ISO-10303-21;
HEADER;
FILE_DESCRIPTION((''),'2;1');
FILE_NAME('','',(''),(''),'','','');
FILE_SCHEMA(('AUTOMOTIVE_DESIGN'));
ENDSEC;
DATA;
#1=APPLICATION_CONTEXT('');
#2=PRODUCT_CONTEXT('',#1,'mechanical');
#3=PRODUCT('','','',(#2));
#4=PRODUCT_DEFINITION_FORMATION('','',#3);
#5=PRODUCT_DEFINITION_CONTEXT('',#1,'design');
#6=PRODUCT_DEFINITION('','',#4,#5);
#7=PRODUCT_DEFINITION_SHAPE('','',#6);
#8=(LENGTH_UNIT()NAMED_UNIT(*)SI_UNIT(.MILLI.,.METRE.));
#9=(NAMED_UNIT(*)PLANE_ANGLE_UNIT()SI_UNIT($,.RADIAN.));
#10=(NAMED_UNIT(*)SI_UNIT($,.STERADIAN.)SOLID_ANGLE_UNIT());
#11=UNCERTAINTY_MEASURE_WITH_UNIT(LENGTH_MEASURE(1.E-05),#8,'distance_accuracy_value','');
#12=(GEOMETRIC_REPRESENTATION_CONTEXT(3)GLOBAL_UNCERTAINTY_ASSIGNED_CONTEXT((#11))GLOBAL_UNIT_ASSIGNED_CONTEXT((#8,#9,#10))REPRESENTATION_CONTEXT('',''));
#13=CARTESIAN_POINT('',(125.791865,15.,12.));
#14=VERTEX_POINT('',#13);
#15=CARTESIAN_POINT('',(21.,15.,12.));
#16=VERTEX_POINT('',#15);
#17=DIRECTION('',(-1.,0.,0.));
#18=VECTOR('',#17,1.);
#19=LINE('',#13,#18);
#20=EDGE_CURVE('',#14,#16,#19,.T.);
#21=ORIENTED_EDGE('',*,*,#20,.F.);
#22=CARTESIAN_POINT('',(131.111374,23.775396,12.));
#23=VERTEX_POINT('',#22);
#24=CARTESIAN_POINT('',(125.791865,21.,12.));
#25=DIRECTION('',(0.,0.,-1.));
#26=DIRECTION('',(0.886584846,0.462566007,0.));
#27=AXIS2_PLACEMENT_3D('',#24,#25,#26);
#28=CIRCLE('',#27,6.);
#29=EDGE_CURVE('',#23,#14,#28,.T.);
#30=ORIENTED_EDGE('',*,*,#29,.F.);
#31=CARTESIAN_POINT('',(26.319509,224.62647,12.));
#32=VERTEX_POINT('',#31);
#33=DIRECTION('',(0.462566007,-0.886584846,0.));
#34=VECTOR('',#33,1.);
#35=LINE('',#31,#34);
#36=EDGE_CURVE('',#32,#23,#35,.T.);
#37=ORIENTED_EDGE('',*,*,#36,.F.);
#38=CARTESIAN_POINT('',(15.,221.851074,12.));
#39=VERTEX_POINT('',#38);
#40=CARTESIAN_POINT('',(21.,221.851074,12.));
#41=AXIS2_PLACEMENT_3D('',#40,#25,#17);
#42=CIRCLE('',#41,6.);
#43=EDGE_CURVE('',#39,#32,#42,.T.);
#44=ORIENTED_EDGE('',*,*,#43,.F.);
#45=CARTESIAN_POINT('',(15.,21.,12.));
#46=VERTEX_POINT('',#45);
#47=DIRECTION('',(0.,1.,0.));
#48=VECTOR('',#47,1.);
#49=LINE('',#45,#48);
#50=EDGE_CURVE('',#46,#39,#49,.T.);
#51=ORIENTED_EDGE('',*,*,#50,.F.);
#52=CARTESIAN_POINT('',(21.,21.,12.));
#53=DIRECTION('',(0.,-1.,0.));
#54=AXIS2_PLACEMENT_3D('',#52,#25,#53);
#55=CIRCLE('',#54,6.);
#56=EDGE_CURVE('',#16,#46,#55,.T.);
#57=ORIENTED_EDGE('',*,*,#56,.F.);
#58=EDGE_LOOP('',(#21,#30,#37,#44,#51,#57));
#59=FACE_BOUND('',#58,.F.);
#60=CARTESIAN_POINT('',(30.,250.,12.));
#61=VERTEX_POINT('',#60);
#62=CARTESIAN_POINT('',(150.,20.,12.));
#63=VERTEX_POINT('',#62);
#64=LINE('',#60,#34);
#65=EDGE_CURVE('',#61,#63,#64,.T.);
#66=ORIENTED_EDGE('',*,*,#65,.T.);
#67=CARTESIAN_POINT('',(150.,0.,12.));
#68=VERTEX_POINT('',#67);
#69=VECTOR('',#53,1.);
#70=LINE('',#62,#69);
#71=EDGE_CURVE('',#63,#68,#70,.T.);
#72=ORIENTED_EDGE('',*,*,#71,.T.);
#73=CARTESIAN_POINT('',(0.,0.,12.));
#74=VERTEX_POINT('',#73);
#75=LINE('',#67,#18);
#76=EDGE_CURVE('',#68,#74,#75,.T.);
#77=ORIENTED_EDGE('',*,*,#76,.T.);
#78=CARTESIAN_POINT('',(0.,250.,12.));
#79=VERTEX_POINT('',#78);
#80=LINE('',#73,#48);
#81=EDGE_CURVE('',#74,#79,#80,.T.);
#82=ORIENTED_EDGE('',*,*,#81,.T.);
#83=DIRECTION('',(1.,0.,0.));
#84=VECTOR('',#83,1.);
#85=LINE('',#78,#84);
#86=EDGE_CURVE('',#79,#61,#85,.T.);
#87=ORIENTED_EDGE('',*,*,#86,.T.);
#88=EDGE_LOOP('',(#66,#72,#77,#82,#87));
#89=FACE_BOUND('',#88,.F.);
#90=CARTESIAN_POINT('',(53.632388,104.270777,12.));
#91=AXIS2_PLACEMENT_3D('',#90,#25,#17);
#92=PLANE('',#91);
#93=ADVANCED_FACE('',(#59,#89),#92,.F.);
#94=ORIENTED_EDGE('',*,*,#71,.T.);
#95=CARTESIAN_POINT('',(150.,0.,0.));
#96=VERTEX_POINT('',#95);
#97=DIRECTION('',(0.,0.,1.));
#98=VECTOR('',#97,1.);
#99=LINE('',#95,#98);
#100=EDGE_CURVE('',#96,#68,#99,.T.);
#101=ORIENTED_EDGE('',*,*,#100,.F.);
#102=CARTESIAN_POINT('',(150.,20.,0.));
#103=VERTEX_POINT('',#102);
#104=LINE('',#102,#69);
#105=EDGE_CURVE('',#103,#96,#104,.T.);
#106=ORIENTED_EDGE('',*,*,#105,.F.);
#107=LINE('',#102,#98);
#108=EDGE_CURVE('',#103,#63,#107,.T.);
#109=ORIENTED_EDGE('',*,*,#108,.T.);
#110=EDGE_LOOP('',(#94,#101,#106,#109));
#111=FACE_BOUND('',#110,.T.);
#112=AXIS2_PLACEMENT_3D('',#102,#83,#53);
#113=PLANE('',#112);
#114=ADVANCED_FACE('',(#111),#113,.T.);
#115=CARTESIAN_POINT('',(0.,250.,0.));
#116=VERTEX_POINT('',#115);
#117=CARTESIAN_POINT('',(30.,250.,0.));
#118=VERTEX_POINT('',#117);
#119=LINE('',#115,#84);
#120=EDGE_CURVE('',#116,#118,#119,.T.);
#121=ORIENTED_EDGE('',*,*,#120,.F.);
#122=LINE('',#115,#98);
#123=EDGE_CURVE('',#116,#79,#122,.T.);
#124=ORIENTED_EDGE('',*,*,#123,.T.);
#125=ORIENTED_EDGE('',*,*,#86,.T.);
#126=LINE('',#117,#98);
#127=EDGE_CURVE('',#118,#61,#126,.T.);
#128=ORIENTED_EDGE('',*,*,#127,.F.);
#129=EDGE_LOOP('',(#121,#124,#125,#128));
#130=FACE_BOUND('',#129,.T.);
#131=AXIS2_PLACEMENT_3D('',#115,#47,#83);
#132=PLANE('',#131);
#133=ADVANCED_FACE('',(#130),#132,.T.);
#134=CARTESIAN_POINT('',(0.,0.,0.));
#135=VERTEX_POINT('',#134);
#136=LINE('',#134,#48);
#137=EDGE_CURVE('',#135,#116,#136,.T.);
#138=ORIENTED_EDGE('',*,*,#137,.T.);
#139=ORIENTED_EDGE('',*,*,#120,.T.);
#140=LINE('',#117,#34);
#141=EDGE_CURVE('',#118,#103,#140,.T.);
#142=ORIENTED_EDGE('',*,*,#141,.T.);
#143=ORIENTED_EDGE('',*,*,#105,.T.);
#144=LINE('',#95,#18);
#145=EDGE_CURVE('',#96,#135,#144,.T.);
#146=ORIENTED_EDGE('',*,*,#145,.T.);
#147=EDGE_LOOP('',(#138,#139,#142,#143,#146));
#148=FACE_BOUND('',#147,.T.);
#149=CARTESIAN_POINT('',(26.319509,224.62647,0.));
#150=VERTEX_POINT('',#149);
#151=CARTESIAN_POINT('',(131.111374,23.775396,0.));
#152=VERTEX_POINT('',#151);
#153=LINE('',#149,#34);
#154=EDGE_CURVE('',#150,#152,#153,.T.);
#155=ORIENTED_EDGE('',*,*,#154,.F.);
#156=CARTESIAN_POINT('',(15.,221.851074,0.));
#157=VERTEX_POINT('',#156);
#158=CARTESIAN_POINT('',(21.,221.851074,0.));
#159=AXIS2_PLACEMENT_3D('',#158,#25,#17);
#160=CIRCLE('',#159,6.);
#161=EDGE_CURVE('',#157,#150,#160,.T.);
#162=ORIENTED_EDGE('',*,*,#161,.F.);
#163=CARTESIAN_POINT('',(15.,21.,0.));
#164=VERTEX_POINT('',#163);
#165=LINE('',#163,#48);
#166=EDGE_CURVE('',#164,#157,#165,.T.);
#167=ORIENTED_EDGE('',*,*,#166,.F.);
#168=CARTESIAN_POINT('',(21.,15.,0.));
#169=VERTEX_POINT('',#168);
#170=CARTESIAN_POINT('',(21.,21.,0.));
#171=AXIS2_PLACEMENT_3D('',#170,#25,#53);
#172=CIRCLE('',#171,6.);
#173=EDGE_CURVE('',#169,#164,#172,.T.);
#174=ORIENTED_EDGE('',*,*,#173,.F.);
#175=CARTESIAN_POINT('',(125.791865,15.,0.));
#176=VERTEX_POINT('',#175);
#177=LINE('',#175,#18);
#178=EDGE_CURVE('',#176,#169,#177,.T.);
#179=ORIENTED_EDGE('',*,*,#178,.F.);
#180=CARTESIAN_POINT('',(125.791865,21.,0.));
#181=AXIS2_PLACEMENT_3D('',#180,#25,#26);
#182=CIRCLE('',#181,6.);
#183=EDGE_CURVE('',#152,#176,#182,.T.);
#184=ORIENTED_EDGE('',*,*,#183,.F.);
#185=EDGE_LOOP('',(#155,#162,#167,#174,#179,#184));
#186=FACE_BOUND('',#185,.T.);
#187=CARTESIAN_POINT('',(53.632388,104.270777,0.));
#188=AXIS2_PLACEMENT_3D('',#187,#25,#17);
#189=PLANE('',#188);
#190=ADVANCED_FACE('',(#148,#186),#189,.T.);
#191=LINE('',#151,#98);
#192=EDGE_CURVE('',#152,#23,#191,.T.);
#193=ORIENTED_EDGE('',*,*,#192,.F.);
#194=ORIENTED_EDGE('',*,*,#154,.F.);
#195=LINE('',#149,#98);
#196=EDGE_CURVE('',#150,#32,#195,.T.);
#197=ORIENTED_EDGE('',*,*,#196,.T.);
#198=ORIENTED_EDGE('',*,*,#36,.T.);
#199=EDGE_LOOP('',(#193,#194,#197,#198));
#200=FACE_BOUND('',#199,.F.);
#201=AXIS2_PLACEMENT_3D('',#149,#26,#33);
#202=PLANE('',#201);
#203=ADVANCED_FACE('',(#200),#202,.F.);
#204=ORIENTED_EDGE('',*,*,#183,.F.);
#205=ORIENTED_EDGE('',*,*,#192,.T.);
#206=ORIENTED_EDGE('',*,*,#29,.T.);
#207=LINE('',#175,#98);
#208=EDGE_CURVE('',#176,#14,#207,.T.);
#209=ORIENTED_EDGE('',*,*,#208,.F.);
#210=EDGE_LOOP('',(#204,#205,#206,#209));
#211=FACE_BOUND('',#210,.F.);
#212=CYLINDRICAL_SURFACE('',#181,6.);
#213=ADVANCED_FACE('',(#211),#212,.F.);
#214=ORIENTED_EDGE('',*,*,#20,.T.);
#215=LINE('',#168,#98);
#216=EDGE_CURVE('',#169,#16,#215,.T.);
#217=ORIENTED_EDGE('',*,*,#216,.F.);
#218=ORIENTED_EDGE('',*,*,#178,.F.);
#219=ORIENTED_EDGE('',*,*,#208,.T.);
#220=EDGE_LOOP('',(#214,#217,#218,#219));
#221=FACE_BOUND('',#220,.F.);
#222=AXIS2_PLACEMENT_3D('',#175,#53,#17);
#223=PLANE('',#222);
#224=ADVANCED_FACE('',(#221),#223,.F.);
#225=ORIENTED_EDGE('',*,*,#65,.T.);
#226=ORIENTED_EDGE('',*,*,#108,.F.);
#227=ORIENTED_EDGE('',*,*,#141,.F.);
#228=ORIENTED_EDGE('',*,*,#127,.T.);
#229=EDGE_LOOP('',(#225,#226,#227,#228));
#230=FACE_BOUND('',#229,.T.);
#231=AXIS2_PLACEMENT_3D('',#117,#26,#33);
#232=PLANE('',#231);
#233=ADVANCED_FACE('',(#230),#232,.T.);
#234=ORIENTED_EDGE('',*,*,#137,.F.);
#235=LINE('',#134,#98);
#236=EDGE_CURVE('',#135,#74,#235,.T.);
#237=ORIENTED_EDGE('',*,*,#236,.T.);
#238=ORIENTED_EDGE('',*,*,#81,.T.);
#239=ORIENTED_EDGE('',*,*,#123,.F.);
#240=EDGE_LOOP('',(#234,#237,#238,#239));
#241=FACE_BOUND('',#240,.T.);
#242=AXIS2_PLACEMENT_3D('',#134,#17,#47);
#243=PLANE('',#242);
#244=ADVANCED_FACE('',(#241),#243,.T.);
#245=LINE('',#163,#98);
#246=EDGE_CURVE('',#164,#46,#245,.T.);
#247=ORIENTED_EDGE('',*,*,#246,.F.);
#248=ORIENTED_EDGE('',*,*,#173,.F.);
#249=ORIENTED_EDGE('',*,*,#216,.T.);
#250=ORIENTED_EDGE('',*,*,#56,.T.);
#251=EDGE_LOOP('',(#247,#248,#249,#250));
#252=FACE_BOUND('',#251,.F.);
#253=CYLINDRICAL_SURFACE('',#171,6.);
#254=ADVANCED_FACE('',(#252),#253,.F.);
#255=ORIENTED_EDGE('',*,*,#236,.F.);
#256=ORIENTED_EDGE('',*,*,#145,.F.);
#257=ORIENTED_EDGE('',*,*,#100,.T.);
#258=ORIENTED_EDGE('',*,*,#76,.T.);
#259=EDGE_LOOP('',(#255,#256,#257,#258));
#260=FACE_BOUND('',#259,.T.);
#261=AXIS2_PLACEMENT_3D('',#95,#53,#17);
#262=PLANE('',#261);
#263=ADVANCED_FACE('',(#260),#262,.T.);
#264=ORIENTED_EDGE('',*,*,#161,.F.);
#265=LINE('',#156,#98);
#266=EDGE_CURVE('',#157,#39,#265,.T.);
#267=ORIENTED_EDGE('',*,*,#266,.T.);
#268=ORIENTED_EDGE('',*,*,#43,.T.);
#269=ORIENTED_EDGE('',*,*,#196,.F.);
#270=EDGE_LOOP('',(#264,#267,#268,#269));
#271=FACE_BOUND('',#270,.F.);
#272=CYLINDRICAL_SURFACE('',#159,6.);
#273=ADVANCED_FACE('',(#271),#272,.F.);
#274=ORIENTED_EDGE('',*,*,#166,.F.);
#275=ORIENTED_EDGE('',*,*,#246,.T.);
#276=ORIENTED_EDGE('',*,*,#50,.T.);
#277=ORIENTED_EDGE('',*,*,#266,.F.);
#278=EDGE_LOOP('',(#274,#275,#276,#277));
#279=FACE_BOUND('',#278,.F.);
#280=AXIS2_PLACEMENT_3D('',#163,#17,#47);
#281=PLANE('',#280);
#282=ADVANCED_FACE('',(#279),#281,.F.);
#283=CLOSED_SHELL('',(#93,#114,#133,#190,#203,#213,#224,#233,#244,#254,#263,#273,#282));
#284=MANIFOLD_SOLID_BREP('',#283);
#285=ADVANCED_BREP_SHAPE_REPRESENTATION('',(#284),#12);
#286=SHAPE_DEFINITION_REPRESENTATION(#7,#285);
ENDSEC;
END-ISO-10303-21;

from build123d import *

# Parameters (mm, degrees)
BOSS_EXTRUDE1_DEPTH = 12


with BuildPart() as part:
    # Sketch1 → Boss-Extrude1 (new body)
    with BuildSketch(Plane.XY):
        Polygon((150, 0), (0, 0), (0, 250), (30, 250), (150, 20), align=None)
        with BuildLine():
            Line((26.319509077, 224.626469841), (131.111373669, 23.77539604))
            ThreePointArc((131.111373669, 23.77539604), (130.922769787, 17.88972479), (125.791864592, 15))
            Line((125.791864592, 15), (21, 15))
            ThreePointArc((21, 15), (16.757359313, 16.757359313), (15, 21))
            Line((15, 21), (15, 221.851073801))
            ThreePointArc((15, 221.851073801), (19.571198835, 227.67846835), (26.319509077, 224.626469841))
        make_face(mode=Mode.SUBTRACT)
    extrude(amount=BOSS_EXTRUDE1_DEPTH)


solid = part.part
